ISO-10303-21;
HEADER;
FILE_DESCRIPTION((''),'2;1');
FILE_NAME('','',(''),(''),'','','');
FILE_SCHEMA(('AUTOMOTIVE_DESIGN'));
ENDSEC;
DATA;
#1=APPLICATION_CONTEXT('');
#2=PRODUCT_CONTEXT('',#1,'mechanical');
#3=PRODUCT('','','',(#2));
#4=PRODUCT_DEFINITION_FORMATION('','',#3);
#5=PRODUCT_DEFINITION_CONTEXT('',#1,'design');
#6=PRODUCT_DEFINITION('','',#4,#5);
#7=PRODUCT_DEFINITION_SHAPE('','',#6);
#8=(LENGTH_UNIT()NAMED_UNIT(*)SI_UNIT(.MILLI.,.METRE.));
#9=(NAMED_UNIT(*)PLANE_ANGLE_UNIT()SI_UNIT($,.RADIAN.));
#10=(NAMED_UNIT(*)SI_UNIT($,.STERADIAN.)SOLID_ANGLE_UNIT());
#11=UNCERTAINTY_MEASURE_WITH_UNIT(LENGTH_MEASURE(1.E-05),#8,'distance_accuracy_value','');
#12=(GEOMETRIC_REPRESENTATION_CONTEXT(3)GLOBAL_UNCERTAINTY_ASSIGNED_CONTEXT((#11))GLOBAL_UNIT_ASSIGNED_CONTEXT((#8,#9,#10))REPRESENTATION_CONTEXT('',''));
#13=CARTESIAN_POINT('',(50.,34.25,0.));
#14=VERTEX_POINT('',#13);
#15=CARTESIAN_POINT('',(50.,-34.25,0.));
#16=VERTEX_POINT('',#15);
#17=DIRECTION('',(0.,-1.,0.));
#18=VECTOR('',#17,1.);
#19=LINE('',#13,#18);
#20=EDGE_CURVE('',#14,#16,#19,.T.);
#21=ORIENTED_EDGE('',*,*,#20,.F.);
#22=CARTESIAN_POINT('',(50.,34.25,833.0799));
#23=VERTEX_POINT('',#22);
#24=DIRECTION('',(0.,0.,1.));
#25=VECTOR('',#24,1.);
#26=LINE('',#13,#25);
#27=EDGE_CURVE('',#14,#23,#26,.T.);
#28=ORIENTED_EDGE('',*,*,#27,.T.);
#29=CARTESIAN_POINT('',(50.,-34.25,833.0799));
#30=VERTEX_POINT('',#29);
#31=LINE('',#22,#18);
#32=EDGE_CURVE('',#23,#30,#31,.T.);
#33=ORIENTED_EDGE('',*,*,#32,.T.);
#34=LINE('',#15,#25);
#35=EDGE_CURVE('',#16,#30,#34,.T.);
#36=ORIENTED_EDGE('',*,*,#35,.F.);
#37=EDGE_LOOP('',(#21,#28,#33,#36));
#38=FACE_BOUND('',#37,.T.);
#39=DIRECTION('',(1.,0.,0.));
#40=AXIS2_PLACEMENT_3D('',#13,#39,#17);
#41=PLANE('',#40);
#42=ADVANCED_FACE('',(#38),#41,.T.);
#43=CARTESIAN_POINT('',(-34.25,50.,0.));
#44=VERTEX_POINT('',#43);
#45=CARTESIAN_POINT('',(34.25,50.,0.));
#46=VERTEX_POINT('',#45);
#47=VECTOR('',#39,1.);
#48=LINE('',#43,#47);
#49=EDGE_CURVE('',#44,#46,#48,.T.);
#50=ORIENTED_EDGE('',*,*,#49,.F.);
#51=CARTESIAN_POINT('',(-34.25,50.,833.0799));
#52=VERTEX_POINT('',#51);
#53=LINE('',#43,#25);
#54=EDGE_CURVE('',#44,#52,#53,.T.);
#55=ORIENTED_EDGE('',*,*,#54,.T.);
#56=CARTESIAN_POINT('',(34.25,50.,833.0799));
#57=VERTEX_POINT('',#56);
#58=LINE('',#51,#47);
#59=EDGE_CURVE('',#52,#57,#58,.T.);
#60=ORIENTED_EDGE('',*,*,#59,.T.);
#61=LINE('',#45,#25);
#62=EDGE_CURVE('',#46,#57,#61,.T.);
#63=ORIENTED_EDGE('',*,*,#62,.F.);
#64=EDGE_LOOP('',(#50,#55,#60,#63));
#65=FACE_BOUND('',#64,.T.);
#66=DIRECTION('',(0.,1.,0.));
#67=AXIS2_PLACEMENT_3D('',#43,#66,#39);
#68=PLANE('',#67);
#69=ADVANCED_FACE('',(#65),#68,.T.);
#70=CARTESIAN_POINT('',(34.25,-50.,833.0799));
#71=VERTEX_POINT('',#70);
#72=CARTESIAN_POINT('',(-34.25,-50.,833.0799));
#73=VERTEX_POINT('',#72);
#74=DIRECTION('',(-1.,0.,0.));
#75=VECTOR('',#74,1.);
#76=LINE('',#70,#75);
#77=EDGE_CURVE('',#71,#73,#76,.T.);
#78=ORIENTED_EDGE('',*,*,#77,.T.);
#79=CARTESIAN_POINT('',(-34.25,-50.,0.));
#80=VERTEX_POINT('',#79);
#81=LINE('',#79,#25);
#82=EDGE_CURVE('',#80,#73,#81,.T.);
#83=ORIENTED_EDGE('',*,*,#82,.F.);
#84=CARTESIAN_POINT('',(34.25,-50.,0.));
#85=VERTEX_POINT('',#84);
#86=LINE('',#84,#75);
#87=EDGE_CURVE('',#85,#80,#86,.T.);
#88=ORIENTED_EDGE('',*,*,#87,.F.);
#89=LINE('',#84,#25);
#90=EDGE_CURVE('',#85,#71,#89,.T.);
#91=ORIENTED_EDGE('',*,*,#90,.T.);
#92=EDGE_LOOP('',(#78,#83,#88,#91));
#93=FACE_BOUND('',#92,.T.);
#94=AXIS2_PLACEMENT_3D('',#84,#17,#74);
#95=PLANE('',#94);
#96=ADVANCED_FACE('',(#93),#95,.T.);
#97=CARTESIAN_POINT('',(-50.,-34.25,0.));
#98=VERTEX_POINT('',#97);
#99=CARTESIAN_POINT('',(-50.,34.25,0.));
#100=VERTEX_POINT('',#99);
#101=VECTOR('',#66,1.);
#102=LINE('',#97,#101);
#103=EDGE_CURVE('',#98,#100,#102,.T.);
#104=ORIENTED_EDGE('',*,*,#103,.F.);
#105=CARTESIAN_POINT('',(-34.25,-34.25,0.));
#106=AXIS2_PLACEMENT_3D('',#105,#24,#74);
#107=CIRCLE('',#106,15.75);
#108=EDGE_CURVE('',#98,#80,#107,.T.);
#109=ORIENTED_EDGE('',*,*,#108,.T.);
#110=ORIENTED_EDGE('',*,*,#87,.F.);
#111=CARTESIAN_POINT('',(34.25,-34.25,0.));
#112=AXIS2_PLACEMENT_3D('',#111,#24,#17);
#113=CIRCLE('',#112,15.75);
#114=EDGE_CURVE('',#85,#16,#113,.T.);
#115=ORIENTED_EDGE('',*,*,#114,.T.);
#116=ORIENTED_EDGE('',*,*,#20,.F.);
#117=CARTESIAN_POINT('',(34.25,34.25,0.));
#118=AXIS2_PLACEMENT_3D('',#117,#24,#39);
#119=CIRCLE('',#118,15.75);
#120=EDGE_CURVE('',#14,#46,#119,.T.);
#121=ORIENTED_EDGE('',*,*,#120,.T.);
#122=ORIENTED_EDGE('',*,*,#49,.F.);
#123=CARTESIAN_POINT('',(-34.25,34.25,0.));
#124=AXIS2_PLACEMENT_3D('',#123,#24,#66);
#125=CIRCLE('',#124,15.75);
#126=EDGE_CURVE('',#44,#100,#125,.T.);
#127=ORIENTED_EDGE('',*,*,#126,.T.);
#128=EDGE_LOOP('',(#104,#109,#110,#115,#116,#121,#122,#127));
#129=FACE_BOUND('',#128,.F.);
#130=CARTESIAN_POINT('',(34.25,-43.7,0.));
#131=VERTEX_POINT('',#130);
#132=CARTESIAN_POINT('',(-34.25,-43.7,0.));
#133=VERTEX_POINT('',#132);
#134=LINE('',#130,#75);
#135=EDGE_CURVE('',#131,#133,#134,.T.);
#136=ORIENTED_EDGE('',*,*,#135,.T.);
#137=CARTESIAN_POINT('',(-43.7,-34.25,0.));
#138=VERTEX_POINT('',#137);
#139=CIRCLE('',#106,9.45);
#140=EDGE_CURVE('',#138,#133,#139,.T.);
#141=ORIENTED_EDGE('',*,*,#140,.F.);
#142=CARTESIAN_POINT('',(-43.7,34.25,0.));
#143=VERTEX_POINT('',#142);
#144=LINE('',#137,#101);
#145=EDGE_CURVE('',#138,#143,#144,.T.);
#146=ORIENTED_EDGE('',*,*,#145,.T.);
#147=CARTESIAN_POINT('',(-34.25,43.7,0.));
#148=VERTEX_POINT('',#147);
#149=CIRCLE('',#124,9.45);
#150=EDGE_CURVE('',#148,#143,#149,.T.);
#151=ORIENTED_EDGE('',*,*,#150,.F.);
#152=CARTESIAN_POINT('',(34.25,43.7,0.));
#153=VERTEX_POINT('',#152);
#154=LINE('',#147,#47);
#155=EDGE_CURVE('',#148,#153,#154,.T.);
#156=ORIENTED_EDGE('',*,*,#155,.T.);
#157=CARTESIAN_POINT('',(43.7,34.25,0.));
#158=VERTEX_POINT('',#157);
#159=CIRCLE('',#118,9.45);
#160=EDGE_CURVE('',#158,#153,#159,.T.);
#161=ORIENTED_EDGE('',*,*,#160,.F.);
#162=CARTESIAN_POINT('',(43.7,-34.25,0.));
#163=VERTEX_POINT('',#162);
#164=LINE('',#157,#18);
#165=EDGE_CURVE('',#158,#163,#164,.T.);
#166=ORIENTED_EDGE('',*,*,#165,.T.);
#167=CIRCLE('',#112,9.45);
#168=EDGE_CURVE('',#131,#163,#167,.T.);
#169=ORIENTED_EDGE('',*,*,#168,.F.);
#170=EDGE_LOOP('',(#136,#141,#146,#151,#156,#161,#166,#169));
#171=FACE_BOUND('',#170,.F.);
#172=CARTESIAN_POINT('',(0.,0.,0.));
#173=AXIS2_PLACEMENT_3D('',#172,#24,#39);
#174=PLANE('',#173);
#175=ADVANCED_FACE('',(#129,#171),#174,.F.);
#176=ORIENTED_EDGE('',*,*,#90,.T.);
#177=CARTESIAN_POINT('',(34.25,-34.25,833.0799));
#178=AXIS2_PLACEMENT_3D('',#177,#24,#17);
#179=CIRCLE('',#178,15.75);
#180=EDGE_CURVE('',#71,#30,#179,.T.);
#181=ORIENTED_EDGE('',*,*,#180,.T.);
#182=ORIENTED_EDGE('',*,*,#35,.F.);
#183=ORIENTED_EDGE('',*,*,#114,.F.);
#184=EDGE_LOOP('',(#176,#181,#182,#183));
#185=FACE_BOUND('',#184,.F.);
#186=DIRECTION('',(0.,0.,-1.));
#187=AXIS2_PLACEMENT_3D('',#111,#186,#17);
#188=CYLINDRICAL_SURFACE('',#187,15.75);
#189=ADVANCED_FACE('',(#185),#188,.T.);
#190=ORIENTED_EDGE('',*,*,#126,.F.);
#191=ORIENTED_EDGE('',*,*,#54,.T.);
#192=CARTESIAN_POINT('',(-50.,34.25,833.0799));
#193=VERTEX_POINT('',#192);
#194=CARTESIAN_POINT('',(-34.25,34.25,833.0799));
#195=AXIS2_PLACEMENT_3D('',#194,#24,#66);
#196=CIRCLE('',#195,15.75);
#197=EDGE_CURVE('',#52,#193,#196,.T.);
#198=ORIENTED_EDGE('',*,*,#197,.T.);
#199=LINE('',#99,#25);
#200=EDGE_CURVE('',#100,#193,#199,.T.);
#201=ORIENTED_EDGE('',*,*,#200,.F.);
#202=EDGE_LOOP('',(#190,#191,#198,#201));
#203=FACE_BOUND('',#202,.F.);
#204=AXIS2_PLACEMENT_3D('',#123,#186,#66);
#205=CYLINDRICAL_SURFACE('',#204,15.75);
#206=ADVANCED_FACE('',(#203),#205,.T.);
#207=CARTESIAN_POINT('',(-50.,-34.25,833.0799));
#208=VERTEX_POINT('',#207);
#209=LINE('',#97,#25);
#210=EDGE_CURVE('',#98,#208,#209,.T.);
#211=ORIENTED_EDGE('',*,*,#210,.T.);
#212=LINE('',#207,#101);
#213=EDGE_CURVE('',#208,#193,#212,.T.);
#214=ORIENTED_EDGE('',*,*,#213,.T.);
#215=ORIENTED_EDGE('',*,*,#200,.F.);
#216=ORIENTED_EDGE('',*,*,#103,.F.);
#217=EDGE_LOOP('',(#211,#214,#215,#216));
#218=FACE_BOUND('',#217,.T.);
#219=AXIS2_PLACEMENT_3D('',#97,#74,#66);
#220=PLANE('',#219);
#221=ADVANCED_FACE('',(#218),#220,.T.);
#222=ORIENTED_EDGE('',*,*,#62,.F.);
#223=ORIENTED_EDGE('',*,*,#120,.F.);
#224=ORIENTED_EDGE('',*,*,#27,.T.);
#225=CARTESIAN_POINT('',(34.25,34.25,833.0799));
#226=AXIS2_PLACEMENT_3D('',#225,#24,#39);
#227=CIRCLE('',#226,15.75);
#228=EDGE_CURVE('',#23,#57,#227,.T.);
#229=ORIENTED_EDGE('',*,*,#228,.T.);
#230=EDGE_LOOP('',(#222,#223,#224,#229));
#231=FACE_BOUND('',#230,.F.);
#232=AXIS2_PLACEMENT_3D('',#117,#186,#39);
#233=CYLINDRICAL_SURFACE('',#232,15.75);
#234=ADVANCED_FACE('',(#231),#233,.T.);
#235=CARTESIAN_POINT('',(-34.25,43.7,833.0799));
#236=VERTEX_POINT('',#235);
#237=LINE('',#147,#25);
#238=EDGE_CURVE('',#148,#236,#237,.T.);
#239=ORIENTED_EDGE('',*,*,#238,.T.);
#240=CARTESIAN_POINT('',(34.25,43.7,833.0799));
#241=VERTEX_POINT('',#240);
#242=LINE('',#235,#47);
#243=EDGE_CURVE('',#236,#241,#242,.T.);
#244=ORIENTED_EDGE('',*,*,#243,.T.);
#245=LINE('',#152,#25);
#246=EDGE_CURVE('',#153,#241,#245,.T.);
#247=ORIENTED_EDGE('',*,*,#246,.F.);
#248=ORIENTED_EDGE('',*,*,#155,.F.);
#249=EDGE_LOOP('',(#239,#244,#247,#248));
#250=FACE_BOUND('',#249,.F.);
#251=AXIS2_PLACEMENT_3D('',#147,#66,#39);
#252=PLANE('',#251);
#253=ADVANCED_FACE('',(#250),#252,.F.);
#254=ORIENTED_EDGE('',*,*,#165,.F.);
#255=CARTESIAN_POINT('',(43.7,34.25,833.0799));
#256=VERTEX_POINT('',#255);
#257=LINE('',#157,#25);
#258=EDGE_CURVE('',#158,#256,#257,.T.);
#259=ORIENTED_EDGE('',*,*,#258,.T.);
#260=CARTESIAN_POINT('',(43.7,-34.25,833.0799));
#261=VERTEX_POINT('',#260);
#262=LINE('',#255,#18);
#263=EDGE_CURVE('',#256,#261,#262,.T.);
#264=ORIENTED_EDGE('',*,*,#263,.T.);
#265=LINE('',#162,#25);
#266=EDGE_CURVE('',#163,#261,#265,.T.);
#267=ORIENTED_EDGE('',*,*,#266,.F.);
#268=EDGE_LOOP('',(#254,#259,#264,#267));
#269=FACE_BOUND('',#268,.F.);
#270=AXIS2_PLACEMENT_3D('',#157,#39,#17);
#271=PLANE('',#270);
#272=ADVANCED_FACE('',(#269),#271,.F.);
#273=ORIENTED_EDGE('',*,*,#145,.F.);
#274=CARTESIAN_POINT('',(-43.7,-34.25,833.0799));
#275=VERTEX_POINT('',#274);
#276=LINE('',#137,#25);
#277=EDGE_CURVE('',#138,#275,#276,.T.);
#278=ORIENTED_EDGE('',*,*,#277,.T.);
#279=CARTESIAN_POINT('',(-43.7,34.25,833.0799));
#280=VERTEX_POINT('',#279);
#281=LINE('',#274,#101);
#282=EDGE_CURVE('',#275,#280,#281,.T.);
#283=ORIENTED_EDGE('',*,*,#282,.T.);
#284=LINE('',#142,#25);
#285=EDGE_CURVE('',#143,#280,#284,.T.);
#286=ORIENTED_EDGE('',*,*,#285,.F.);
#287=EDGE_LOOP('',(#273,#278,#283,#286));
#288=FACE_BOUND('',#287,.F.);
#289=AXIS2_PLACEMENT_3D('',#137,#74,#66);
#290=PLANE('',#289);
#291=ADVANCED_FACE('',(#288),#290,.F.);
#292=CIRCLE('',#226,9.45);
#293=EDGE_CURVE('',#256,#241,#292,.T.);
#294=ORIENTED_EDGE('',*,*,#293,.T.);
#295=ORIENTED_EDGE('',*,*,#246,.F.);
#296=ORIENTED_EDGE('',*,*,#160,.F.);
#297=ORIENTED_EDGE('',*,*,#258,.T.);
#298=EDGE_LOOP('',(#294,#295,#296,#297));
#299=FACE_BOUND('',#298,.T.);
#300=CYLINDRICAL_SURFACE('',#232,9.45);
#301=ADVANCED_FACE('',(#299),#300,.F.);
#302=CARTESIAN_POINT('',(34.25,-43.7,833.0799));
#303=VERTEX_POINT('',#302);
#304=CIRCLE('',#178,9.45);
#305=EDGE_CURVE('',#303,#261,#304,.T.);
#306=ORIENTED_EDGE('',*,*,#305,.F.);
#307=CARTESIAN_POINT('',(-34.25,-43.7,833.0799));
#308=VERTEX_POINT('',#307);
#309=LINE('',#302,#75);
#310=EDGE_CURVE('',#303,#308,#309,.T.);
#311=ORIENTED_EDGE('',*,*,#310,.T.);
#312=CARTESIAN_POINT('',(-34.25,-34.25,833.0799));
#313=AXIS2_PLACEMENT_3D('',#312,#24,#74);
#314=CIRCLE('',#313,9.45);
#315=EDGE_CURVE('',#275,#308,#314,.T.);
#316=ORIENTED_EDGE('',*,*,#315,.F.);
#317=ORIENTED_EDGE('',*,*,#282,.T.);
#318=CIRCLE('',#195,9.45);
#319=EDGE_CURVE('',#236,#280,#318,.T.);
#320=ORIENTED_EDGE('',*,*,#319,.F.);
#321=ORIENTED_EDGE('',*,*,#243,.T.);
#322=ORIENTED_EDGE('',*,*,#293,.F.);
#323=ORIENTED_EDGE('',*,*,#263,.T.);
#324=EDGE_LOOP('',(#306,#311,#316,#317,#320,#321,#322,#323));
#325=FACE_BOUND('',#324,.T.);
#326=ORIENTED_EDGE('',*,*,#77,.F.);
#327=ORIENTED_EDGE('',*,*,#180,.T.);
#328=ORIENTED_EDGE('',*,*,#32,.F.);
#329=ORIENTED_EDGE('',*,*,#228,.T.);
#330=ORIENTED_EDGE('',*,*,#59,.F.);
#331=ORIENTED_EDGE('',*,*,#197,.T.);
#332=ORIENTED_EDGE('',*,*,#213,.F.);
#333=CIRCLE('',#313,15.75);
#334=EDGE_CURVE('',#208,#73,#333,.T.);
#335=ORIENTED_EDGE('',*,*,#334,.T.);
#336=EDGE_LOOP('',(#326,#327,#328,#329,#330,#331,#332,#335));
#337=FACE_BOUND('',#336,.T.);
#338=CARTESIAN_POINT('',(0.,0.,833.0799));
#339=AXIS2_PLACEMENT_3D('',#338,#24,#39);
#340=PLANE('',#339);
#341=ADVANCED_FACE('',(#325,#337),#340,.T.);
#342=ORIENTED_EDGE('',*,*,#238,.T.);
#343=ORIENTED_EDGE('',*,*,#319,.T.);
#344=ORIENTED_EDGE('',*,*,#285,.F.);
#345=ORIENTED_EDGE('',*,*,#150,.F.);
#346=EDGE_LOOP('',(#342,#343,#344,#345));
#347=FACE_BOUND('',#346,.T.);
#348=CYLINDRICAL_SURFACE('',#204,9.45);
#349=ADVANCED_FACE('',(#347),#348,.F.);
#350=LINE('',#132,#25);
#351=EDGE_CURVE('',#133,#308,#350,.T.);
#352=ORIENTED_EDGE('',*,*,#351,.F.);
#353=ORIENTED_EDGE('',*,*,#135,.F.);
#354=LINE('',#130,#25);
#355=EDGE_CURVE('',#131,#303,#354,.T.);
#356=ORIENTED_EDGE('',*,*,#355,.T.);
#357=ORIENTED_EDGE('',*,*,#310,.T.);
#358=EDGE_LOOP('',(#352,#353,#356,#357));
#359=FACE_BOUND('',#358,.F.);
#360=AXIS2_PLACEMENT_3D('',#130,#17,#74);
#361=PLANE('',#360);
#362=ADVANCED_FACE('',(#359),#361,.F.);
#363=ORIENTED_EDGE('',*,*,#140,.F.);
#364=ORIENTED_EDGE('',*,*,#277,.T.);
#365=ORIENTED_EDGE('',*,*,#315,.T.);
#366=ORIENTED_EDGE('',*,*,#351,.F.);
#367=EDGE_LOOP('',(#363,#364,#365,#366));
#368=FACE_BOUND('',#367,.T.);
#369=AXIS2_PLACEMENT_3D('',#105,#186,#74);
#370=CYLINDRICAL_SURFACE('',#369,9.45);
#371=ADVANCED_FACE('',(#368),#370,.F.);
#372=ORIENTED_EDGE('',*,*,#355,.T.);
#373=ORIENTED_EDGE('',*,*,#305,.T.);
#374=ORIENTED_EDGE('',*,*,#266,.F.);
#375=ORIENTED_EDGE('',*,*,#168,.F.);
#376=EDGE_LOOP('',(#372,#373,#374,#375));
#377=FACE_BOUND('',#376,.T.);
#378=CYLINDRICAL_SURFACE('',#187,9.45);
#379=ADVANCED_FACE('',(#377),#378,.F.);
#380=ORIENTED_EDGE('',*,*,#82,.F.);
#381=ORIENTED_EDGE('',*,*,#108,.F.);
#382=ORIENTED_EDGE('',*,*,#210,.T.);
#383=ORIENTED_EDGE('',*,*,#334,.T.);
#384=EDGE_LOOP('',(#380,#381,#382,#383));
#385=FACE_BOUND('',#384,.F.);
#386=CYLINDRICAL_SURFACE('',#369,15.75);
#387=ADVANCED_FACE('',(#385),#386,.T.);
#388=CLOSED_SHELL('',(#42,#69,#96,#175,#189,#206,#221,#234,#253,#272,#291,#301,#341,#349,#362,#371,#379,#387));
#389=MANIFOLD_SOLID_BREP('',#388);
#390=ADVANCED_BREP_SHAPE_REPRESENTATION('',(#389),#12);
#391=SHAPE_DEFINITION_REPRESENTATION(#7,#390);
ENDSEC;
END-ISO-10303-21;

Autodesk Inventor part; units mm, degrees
ref_plane "YZ Plane" through (0, 0, 0) normal (1, 0, 0) x (0, 1, 0)
ref_plane "Start Plane" through (0, 0, 0) normal (0, 0, 1) x (1, 0, 0)
ref_plane "End Plane" through (0, 0, 833.0799) normal (0, 0, 1) x (1, 0, 0)
sketch "Sketch" plane through (0, 0, 0) normal (0, 0, 1) x (1, 0, 0)
  line L0 (-50, -34.25) -> (-50, 34.25)
  line L1 (-34.25, 50) -> (34.25, 50)
  line L2 (50, 34.25) -> (50, -34.25)
  line L3 (34.25, -50) -> (-34.25, -50)
  arc A0 (-50, -34.25) -> (-34.25, -50) centre (-34.25, -34.25) ccw
  arc A1 (50, 34.25) -> (34.25, 50) centre (34.25, 34.25) ccw
  arc A2 (-34.25, 50) -> (-50, 34.25) centre (-34.25, 34.25) ccw
  arc A3 (34.25, -50) -> (50, -34.25) centre (34.25, -34.25) ccw
  arc A4 (-34.25, 43.7) -> (-43.7, 34.25) centre (-34.25, 34.25) ccw
  line L4 (-34.25, 43.7) -> (34.25, 43.7)
  arc A5 (43.7, 34.25) -> (34.25, 43.7) centre (34.25, 34.25) ccw
  line L5 (43.7, 34.25) -> (43.7, -34.25)
  arc A6 (34.25, -43.7) -> (43.7, -34.25) centre (34.25, -34.25) ccw
  line L6 (34.25, -43.7) -> (-34.25, -43.7)
  arc A7 (-43.7, -34.25) -> (-34.25, -43.7) centre (-34.25, -34.25) ccw
  line L7 (-43.7, -34.25) -> (-43.7, 34.25)
  line L8 (0, 74.5667) -> (0, -74.5667) construction
  line L9 (-74.5667, 0) -> (74.5667, 0) construction
  dimension "d7" = 15.75
  dimension "d9" = 100
  dimension "d11" = 100
  dimension "d12" = 6.3
  dimension "d15" = 50
  dimension "d16" = 50
extrude "Body" add sketch "Sketch" along normal up to surface (833.0799 mm away) from surface at 0
sketch "Sketch3" plane through (0, 0, 0) normal (0, 0, 1) x (1, 0, 0)
  line L0 (0, 0) -> (10, 0)
ref_plane "Work Plane3" through (0, 0, 0) normal (0, -1, 0) x (1, 0, 0)
sketch "Sketch4" plane through (0, 0, 0) normal (0, -1, 0) x (1, 0, 0)
  line L0 (-2, 0) -> (12, 0)
  line L1 (-2, 833.0799) -> (12, 833.0799)
  dimension "d18" = 833.0799
equation "\"d7\" = G_IR"
equation "\"d9\" = G_W"
equation "\"d11\" = G_H"
equation "\"d12\" = G_T"
equation "\"d15\" = 0.5 * d9"
equation "\"d16\" = 0.5 * d11"
equation "\"d3\" = G_L"
equation "\"G_W\" = 100"
equation "\"G_H\" = 100"
equation "\"G_T\" = 6.3"
equation "\"G_IR\" = 15.75"
equation "\"G_L\" = d18"
equation "\"G_OFFSET_START\" = 0"
equation "\"G_OFFSET_END\" = 0"
equation "\"d14\" = G_OFFSET_END + B_L"
equation "\"B_L\" = 833.07993"
properties part number "ISO 4019 - 100x100x6.3 - 833.08" material "Steel, Mild"
